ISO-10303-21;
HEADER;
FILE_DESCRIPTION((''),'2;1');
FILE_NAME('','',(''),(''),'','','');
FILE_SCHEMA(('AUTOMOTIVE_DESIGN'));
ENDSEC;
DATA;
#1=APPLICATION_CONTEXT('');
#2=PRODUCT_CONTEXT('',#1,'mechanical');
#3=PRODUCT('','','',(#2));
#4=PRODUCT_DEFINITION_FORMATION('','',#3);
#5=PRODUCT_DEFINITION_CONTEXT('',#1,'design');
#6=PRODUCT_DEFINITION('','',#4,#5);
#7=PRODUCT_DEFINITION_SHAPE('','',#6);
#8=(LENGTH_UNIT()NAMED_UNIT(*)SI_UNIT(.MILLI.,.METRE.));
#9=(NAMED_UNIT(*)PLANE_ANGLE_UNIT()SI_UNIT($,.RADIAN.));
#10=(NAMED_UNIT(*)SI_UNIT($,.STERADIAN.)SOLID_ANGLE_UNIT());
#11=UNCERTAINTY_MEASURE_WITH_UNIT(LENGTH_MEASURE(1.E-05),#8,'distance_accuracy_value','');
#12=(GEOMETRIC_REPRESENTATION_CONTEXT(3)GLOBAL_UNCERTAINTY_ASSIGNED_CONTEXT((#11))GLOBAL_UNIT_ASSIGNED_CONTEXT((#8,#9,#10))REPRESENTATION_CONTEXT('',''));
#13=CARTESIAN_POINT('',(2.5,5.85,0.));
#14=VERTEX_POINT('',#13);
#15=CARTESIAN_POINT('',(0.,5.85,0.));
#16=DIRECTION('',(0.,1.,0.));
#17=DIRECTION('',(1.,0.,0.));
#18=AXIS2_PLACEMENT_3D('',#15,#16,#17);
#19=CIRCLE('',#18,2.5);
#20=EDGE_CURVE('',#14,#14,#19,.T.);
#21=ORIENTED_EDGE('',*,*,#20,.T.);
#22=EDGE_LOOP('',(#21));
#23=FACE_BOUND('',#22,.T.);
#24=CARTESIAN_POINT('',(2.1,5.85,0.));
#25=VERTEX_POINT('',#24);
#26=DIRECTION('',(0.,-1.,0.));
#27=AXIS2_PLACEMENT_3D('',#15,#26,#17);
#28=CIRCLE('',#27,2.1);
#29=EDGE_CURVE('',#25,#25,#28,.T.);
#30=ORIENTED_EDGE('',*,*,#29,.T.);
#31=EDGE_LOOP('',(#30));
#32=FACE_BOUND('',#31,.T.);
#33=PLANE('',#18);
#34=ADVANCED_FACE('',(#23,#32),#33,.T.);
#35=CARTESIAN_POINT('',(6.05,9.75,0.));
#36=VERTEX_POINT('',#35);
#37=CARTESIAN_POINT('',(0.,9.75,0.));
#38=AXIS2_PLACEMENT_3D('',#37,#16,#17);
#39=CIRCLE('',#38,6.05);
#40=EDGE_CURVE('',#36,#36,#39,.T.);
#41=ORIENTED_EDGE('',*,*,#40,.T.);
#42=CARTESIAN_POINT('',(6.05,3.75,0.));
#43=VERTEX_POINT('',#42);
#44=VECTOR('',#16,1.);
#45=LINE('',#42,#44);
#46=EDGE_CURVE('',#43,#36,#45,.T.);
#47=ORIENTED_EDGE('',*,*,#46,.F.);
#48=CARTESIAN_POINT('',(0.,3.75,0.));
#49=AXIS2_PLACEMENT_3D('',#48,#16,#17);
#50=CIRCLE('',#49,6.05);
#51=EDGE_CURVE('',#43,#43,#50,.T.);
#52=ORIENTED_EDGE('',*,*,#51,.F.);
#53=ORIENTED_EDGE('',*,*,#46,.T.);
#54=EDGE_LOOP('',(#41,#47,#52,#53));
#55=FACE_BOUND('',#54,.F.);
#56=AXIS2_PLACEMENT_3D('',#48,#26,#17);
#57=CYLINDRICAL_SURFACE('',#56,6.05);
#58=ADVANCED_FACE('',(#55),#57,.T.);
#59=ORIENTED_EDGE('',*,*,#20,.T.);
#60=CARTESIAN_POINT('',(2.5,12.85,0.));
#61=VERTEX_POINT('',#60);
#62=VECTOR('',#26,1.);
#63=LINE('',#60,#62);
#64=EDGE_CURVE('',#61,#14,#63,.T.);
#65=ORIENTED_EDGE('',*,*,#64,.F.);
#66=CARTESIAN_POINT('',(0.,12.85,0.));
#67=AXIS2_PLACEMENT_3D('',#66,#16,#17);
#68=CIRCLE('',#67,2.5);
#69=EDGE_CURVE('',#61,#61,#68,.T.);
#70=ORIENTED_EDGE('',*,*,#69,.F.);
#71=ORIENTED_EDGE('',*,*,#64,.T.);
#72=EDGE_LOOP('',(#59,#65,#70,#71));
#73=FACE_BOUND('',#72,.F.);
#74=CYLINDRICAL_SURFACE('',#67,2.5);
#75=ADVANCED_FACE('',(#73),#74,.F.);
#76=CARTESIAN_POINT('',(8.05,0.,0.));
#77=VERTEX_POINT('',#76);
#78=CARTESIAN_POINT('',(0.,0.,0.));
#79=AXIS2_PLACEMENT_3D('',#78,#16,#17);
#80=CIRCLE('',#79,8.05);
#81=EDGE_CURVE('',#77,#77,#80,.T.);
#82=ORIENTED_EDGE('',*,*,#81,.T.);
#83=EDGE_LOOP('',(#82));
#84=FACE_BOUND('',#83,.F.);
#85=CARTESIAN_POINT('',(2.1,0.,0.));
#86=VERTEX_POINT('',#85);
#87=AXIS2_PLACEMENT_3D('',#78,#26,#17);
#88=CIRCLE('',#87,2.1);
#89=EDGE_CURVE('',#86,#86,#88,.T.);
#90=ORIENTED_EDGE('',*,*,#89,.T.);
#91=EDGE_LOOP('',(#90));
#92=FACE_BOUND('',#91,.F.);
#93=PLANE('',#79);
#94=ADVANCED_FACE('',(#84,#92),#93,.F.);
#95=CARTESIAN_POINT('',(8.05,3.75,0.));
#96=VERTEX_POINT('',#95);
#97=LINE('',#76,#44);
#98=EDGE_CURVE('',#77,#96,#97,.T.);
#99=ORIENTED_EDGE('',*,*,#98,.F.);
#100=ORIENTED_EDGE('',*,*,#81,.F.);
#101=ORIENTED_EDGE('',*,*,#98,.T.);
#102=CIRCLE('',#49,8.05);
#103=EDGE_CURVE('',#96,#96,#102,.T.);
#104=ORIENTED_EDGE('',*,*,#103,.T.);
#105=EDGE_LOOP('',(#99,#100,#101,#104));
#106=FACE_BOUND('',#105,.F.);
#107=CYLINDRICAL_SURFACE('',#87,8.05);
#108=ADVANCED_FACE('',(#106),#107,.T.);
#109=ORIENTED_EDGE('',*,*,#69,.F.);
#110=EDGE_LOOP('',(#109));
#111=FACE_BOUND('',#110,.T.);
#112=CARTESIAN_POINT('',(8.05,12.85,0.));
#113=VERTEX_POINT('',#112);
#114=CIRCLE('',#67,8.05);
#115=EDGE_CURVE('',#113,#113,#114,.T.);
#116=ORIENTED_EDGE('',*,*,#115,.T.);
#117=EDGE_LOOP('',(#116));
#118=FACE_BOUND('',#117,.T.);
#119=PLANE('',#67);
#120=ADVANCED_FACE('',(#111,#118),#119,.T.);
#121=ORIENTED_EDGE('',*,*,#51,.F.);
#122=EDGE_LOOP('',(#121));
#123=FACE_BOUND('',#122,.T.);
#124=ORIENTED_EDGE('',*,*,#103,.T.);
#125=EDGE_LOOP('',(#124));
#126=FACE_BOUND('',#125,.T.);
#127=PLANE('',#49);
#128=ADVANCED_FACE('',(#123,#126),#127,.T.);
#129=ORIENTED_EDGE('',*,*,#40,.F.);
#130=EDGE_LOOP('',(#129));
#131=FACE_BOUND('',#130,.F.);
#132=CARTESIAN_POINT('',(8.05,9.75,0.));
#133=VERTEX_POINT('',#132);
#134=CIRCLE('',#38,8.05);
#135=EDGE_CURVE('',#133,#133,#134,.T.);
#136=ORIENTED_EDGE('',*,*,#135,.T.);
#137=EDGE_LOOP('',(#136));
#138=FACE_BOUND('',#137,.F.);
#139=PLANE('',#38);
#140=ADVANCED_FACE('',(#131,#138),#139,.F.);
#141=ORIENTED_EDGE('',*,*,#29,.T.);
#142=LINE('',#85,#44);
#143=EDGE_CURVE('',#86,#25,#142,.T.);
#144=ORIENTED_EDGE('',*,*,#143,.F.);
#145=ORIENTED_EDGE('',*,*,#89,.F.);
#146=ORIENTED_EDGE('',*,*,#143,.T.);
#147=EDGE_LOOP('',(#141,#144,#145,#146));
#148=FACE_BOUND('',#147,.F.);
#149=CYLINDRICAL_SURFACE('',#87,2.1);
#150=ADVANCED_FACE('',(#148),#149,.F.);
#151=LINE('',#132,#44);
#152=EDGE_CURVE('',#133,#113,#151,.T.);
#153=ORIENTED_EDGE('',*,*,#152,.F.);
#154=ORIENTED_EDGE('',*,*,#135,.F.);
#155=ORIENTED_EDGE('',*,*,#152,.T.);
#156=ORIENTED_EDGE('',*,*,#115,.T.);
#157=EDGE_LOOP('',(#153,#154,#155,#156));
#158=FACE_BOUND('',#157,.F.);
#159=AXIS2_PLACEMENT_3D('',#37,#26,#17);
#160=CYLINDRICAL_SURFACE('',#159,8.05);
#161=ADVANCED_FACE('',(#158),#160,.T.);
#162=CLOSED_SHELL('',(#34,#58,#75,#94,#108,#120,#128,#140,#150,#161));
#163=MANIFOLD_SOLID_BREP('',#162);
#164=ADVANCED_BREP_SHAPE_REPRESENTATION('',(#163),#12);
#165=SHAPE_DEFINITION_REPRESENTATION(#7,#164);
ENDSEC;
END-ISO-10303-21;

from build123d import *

# Parameters (mm, degrees)
SKETCH1_R           = 8.05
BOSS_EXTRUDE1_DEPTH = 3.75
SKETCH2_R           = 6.05
BOSS_EXTRUDE2_DEPTH = 6
SKETCH3_R           = 8.05
BOSS_EXTRUDE3_DEPTH = 3.1
SKETCH4_R           = 2.1
CUT_EXTRUDE1_DEPTH  = 6
SKETCH5_R           = 2.5
CUT_EXTRUDE2_DEPTH  = 7


with BuildPart() as part:
    # Sketch1 → Boss-Extrude1 (new body)
    with BuildSketch(Plane(origin=(0, 0, 0), x_dir=(1, 0, 0), z_dir=(0, 1, 0))):
        Circle(SKETCH1_R)
    extrude(amount=BOSS_EXTRUDE1_DEPTH)

    # Sketch2 → Boss-Extrude2 (add)
    with BuildSketch(Plane(origin=(0, 3.75, 0), x_dir=(1, 0, 0), z_dir=(0, 1, 0))):
        Circle(SKETCH2_R)
    extrude(amount=BOSS_EXTRUDE2_DEPTH)

    # Sketch3 → Boss-Extrude3 (add)
    with BuildSketch(Plane(origin=(0, 9.75, 0), x_dir=(1, 0, 0), z_dir=(0, 1, 0))):
        Circle(SKETCH3_R)
    extrude(amount=BOSS_EXTRUDE3_DEPTH)

    # Sketch4 → Cut-Extrude1 (cut)
    with BuildSketch(Plane.XZ):
        Circle(SKETCH4_R)
    extrude(amount=-CUT_EXTRUDE1_DEPTH, mode=Mode.SUBTRACT)

    # Sketch5 → Cut-Extrude2 (cut)
    with BuildSketch(Plane(origin=(0, 12.85, 0), x_dir=(1, 0, 0), z_dir=(0, 1, 0))):
        Circle(SKETCH5_R)
    extrude(amount=-CUT_EXTRUDE2_DEPTH, mode=Mode.SUBTRACT)


solid = part.part
